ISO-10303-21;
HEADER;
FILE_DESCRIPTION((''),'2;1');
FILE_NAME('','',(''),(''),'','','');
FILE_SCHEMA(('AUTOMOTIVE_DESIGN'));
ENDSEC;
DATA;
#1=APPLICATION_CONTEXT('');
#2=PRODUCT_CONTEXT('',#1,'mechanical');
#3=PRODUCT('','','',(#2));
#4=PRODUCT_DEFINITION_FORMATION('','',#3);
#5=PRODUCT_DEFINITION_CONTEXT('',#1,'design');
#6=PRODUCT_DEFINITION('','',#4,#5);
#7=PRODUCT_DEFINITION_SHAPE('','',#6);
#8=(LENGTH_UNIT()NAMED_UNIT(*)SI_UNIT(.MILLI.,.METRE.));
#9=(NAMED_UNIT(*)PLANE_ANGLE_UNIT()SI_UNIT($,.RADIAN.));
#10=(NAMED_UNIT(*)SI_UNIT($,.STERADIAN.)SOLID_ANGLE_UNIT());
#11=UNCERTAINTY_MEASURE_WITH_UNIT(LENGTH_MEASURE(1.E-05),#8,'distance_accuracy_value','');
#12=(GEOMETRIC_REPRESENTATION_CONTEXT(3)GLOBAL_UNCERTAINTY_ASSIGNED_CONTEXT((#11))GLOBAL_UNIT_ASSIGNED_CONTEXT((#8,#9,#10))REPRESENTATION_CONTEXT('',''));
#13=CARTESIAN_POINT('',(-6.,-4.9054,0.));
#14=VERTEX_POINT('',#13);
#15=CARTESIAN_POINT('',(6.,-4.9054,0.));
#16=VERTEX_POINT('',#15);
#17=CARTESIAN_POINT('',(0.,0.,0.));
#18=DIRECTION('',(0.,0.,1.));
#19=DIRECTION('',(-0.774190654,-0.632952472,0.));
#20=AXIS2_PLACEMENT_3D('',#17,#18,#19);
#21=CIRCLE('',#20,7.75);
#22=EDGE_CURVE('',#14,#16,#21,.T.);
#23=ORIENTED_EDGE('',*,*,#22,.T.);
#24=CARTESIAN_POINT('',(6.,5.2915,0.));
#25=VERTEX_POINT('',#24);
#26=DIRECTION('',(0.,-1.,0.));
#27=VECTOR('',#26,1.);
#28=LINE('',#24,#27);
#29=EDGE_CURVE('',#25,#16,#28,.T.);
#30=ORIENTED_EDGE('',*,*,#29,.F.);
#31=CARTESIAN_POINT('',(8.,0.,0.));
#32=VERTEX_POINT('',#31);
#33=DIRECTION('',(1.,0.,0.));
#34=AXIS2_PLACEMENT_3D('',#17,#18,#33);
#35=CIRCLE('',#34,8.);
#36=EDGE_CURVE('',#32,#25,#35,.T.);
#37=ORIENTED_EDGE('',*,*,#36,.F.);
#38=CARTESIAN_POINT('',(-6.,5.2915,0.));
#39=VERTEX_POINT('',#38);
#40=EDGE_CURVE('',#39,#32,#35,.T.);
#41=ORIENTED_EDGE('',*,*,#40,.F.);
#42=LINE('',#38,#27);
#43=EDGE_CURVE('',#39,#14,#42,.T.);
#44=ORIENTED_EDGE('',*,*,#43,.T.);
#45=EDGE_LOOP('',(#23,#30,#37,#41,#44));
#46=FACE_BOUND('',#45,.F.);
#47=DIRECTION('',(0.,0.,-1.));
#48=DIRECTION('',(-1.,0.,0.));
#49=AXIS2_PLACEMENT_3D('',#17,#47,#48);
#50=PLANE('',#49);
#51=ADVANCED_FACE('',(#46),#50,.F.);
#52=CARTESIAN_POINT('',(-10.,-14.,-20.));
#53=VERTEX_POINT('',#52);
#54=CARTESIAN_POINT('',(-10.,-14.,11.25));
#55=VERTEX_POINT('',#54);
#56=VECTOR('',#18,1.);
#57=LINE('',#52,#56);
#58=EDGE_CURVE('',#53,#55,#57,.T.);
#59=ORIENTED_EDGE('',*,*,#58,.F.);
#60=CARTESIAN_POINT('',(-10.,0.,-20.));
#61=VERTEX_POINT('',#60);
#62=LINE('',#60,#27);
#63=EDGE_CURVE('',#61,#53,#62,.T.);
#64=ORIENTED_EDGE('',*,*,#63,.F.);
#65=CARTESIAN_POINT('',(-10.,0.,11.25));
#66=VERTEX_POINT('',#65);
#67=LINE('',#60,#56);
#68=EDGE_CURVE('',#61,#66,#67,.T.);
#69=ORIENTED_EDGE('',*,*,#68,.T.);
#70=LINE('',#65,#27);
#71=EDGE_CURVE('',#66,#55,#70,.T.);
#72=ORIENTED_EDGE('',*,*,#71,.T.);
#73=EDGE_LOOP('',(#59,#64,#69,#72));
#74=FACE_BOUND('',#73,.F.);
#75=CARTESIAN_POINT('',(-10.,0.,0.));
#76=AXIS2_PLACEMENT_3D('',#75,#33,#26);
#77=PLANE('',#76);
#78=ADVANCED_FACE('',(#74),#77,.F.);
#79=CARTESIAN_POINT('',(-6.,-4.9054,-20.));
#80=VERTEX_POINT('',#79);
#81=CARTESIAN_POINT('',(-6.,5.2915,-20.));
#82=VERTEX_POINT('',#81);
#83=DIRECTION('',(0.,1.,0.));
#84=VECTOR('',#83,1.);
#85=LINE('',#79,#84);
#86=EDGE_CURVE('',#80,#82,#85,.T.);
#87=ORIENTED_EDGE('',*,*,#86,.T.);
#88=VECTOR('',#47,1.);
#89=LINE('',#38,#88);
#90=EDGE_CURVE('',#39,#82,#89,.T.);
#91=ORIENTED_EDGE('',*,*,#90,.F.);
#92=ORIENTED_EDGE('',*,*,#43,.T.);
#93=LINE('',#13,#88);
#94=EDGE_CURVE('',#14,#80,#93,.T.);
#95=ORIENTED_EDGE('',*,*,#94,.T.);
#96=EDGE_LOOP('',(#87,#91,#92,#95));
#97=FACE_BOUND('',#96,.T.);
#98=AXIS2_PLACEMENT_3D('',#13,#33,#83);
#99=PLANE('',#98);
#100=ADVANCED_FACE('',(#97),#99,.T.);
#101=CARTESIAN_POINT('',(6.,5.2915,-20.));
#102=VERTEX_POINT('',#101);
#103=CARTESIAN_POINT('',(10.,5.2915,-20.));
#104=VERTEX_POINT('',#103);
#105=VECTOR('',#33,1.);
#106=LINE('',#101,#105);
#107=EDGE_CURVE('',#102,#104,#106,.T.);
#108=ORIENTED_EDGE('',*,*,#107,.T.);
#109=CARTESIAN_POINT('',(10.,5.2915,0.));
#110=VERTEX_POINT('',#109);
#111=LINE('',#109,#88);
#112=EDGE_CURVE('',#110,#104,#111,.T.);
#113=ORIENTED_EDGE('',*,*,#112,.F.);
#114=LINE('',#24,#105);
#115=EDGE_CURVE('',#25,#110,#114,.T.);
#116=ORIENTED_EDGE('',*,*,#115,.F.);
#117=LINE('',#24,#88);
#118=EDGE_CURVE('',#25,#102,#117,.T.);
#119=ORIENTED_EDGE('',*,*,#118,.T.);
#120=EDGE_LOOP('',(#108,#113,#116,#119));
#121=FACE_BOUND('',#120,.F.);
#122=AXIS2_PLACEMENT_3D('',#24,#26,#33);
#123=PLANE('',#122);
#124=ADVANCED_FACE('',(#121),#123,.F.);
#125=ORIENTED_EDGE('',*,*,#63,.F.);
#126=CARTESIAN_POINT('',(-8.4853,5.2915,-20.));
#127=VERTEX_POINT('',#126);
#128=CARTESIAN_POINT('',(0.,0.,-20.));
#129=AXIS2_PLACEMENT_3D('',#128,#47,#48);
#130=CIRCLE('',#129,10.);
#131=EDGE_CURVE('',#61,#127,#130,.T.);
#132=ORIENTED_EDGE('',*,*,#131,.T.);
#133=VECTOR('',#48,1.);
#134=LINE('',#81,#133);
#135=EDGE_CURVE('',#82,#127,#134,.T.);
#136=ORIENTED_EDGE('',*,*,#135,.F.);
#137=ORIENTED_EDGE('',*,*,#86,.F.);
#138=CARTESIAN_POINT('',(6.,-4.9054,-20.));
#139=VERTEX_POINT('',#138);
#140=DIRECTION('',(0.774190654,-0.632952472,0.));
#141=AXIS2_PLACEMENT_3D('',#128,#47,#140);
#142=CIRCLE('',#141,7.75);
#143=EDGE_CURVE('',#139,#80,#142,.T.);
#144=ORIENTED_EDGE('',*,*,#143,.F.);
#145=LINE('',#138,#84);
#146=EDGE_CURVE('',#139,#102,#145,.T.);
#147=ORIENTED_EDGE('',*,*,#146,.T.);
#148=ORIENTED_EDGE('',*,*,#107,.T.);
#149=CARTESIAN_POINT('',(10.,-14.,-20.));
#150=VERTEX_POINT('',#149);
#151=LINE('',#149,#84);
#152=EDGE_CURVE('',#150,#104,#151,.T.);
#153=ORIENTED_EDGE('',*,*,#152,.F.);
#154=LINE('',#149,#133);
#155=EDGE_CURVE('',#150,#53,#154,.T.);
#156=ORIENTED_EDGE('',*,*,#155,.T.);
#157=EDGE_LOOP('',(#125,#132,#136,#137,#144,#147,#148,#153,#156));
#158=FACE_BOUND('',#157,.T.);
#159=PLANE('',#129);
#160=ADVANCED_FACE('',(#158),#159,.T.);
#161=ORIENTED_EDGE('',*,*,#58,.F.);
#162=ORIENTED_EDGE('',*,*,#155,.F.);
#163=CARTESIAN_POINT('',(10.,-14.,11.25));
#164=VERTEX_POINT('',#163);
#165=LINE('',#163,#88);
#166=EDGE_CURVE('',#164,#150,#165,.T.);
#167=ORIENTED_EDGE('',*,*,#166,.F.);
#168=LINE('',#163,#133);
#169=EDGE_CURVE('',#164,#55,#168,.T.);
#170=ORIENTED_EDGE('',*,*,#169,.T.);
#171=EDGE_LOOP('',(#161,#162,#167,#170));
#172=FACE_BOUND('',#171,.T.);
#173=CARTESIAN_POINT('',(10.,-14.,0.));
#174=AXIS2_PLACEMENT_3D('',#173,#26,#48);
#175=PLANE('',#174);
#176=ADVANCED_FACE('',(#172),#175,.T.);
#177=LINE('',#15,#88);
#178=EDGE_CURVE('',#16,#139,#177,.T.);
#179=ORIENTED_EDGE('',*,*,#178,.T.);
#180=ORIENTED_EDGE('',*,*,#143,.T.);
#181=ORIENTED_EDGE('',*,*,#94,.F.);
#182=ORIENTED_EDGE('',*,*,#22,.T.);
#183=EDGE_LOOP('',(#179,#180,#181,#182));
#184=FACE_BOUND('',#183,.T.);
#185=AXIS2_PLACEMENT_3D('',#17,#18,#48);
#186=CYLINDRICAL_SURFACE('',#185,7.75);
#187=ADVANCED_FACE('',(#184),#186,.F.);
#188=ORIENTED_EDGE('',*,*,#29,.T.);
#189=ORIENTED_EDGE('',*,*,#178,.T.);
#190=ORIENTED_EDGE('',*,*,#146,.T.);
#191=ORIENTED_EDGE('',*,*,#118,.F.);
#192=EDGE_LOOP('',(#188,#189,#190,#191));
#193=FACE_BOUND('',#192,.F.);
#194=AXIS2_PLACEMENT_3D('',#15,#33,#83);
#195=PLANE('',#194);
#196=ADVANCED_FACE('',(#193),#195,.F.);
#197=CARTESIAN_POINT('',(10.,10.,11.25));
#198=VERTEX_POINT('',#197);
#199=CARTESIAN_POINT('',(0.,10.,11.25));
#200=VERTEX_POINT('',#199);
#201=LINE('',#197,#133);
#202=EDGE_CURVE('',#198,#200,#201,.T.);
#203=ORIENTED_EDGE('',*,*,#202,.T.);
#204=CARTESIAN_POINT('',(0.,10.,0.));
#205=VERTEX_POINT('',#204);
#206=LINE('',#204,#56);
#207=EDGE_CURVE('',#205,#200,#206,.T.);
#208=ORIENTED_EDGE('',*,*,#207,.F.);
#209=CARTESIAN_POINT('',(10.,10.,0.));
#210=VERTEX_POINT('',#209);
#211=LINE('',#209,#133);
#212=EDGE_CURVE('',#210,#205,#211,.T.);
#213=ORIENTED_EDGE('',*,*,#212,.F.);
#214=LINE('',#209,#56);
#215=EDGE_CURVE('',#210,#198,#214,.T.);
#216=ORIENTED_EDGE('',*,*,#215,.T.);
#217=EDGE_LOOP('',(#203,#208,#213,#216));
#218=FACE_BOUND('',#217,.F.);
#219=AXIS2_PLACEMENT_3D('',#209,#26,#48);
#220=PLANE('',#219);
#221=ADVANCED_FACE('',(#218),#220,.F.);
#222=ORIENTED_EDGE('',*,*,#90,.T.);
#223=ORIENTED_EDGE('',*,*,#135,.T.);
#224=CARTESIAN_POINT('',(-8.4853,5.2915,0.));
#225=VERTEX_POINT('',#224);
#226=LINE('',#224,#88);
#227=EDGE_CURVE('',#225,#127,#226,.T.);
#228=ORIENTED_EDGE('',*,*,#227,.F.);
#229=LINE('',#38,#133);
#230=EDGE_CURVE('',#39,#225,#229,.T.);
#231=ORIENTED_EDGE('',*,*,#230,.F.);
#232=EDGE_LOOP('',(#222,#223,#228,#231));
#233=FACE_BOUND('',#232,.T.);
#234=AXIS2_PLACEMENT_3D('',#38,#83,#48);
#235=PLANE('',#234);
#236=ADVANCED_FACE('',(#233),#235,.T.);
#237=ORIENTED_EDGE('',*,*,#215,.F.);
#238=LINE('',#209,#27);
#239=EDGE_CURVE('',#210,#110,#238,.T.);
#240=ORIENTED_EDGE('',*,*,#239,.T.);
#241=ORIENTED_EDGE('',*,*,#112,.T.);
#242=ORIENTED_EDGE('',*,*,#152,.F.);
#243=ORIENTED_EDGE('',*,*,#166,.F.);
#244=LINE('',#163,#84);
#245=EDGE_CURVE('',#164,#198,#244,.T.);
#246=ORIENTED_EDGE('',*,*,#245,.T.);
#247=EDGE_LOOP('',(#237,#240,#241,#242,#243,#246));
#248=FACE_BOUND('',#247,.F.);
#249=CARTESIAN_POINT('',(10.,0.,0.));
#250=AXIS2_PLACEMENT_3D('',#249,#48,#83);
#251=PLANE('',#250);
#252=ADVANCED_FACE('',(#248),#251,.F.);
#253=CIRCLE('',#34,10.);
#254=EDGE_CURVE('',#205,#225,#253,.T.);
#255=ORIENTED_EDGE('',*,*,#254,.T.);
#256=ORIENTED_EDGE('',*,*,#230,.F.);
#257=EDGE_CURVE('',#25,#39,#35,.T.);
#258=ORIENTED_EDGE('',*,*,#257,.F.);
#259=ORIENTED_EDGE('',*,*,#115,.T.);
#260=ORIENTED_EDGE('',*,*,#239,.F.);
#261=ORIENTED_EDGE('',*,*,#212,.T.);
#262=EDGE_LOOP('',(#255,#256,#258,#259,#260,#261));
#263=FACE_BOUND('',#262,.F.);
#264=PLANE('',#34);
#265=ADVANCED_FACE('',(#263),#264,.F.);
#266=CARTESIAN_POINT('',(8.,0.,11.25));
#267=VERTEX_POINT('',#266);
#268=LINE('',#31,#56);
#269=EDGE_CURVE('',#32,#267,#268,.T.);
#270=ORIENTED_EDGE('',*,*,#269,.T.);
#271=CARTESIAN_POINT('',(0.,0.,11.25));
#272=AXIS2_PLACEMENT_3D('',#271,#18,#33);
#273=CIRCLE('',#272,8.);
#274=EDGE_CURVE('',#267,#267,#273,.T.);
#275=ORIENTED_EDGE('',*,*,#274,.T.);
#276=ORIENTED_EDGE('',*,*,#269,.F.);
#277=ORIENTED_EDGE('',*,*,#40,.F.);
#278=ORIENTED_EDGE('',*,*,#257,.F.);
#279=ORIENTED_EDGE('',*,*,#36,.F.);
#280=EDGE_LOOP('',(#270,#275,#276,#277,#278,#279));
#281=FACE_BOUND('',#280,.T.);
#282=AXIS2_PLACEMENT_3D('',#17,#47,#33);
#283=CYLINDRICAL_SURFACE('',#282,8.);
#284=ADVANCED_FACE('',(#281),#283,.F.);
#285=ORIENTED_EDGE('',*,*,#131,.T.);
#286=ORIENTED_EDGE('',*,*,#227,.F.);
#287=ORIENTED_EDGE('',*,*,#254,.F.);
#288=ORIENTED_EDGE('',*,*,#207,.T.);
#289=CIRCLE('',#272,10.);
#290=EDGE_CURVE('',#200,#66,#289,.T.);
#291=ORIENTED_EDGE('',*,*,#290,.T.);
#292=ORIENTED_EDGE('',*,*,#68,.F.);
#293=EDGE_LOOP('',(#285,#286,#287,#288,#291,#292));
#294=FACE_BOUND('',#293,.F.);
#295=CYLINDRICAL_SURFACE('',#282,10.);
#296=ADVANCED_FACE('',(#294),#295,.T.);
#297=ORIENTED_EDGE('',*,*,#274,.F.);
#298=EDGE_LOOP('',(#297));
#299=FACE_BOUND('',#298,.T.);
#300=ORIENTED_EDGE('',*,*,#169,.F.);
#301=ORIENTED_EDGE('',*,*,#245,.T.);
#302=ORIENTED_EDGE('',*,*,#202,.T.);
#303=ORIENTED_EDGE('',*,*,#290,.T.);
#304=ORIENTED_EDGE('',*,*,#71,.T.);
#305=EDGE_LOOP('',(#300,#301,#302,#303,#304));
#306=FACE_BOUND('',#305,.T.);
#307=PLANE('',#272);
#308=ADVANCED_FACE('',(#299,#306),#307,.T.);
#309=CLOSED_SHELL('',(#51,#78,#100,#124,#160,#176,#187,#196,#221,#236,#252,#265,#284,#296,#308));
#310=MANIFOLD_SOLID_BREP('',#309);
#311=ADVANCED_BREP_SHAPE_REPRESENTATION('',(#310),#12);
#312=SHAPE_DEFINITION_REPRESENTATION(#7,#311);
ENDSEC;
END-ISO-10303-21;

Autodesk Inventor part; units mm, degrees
ref_plane "YZ Plane" through (0, 0, 0) normal (1, 0, 0) x (0, 1, 0)
ref_plane "XZ Plane" through (0, 0, 0) normal (0, 1, 0) x (-1, 0, 0)
ref_plane "XY Plane" through (0, 0, 0) normal (0, 0, 1) x (1, 0, 0)
sketch "Sketch4" plane through (0, 0, 0) normal (0, 0, 1) x (1, 0, 0)
  circle A0 centre (0, 0) radius 8
  circle A1 centre (0, 0) radius 10
  line L0 (-10, 0) -> (-10, -14)
  line L1 (10, 0) -> (10, -14)
  line L2 (10, -14) -> (-10, -14)
  line L3 (10, 0) -> (10, 10)
  line L4 (10, 10) -> (0, 10)
  point P0 (10, -7)
  dimension "d12" = 16
  dimension "d13" = 2
  dimension "d14" = 14
  dimension "d17" = 20
extrude "Extrusion3" add sketch "Sketch4" along normal blind 11.25
sketch "Sketch5" plane through (0, 0, 0) normal (0, 0, -1) x (-1, 0, 0)
  circle A0 centre (0, 0) radius 8 projected
  line L0 (0, -19.2142) -> (0, 17.2853) projected
  arc A1 (10, 0) -> (0, 10) centre (0, 0) ccw projected
  line L1 (10, 0) -> (10, -14) projected
  arc A2 (10, 0) -> (0, 10) centre (0, 0) ccw projected
  line L2 (10, -14) -> (-10, -14) projected
  circle A3 centre (0, 0) radius 8 projected
  line L3 (-10, 10) -> (0, 10) projected
  line L4 (-10, -14) -> (-10, 10) projected
  circle A4 centre (0, 0) radius 7.75
  line L5 (-6, -4.9054) -> (-6, 4.9054)
  line L6 (6, -4.9054) -> (6, 4.9054)
  line L7 (-6, 4.9054) -> (-6, 5.2915)
  line L8 (6, 4.9054) -> (6, 5.2915)
  line L9 (-6, 5.2915) -> (-10, 5.2915)
  line L10 (-10, -14) -> (-10, 10) projected
  line L11 (6, 5.2915) -> (8.4853, 5.2915)
  point P0 (-10, 0)
  point P1 (-10, 0)
  dimension "d24" = 15.5
  dimension "d25" = 12
extrude "Extrusion4" add sketch "Sketch5" along normal blind 20 contours A0 L0 A4 L8 | A0 L11 A1 L1 L2 L0 | L0 L2 L4 L9 A0 | A0 L7 A4 L0 | A4 L6 | L5 A4 picked at (6.6814, 4.0106) picked at (-6.667, 4.0378)
equation "\"d14\" = DriveMotorHeight - BaseWallThickness"
equation "\"DriveMotorHeight\" = 17"
equation "\"BaseWallThickness\" = 3"
properties part number "MotorMountV1" material "Thermoplastic Resin"
